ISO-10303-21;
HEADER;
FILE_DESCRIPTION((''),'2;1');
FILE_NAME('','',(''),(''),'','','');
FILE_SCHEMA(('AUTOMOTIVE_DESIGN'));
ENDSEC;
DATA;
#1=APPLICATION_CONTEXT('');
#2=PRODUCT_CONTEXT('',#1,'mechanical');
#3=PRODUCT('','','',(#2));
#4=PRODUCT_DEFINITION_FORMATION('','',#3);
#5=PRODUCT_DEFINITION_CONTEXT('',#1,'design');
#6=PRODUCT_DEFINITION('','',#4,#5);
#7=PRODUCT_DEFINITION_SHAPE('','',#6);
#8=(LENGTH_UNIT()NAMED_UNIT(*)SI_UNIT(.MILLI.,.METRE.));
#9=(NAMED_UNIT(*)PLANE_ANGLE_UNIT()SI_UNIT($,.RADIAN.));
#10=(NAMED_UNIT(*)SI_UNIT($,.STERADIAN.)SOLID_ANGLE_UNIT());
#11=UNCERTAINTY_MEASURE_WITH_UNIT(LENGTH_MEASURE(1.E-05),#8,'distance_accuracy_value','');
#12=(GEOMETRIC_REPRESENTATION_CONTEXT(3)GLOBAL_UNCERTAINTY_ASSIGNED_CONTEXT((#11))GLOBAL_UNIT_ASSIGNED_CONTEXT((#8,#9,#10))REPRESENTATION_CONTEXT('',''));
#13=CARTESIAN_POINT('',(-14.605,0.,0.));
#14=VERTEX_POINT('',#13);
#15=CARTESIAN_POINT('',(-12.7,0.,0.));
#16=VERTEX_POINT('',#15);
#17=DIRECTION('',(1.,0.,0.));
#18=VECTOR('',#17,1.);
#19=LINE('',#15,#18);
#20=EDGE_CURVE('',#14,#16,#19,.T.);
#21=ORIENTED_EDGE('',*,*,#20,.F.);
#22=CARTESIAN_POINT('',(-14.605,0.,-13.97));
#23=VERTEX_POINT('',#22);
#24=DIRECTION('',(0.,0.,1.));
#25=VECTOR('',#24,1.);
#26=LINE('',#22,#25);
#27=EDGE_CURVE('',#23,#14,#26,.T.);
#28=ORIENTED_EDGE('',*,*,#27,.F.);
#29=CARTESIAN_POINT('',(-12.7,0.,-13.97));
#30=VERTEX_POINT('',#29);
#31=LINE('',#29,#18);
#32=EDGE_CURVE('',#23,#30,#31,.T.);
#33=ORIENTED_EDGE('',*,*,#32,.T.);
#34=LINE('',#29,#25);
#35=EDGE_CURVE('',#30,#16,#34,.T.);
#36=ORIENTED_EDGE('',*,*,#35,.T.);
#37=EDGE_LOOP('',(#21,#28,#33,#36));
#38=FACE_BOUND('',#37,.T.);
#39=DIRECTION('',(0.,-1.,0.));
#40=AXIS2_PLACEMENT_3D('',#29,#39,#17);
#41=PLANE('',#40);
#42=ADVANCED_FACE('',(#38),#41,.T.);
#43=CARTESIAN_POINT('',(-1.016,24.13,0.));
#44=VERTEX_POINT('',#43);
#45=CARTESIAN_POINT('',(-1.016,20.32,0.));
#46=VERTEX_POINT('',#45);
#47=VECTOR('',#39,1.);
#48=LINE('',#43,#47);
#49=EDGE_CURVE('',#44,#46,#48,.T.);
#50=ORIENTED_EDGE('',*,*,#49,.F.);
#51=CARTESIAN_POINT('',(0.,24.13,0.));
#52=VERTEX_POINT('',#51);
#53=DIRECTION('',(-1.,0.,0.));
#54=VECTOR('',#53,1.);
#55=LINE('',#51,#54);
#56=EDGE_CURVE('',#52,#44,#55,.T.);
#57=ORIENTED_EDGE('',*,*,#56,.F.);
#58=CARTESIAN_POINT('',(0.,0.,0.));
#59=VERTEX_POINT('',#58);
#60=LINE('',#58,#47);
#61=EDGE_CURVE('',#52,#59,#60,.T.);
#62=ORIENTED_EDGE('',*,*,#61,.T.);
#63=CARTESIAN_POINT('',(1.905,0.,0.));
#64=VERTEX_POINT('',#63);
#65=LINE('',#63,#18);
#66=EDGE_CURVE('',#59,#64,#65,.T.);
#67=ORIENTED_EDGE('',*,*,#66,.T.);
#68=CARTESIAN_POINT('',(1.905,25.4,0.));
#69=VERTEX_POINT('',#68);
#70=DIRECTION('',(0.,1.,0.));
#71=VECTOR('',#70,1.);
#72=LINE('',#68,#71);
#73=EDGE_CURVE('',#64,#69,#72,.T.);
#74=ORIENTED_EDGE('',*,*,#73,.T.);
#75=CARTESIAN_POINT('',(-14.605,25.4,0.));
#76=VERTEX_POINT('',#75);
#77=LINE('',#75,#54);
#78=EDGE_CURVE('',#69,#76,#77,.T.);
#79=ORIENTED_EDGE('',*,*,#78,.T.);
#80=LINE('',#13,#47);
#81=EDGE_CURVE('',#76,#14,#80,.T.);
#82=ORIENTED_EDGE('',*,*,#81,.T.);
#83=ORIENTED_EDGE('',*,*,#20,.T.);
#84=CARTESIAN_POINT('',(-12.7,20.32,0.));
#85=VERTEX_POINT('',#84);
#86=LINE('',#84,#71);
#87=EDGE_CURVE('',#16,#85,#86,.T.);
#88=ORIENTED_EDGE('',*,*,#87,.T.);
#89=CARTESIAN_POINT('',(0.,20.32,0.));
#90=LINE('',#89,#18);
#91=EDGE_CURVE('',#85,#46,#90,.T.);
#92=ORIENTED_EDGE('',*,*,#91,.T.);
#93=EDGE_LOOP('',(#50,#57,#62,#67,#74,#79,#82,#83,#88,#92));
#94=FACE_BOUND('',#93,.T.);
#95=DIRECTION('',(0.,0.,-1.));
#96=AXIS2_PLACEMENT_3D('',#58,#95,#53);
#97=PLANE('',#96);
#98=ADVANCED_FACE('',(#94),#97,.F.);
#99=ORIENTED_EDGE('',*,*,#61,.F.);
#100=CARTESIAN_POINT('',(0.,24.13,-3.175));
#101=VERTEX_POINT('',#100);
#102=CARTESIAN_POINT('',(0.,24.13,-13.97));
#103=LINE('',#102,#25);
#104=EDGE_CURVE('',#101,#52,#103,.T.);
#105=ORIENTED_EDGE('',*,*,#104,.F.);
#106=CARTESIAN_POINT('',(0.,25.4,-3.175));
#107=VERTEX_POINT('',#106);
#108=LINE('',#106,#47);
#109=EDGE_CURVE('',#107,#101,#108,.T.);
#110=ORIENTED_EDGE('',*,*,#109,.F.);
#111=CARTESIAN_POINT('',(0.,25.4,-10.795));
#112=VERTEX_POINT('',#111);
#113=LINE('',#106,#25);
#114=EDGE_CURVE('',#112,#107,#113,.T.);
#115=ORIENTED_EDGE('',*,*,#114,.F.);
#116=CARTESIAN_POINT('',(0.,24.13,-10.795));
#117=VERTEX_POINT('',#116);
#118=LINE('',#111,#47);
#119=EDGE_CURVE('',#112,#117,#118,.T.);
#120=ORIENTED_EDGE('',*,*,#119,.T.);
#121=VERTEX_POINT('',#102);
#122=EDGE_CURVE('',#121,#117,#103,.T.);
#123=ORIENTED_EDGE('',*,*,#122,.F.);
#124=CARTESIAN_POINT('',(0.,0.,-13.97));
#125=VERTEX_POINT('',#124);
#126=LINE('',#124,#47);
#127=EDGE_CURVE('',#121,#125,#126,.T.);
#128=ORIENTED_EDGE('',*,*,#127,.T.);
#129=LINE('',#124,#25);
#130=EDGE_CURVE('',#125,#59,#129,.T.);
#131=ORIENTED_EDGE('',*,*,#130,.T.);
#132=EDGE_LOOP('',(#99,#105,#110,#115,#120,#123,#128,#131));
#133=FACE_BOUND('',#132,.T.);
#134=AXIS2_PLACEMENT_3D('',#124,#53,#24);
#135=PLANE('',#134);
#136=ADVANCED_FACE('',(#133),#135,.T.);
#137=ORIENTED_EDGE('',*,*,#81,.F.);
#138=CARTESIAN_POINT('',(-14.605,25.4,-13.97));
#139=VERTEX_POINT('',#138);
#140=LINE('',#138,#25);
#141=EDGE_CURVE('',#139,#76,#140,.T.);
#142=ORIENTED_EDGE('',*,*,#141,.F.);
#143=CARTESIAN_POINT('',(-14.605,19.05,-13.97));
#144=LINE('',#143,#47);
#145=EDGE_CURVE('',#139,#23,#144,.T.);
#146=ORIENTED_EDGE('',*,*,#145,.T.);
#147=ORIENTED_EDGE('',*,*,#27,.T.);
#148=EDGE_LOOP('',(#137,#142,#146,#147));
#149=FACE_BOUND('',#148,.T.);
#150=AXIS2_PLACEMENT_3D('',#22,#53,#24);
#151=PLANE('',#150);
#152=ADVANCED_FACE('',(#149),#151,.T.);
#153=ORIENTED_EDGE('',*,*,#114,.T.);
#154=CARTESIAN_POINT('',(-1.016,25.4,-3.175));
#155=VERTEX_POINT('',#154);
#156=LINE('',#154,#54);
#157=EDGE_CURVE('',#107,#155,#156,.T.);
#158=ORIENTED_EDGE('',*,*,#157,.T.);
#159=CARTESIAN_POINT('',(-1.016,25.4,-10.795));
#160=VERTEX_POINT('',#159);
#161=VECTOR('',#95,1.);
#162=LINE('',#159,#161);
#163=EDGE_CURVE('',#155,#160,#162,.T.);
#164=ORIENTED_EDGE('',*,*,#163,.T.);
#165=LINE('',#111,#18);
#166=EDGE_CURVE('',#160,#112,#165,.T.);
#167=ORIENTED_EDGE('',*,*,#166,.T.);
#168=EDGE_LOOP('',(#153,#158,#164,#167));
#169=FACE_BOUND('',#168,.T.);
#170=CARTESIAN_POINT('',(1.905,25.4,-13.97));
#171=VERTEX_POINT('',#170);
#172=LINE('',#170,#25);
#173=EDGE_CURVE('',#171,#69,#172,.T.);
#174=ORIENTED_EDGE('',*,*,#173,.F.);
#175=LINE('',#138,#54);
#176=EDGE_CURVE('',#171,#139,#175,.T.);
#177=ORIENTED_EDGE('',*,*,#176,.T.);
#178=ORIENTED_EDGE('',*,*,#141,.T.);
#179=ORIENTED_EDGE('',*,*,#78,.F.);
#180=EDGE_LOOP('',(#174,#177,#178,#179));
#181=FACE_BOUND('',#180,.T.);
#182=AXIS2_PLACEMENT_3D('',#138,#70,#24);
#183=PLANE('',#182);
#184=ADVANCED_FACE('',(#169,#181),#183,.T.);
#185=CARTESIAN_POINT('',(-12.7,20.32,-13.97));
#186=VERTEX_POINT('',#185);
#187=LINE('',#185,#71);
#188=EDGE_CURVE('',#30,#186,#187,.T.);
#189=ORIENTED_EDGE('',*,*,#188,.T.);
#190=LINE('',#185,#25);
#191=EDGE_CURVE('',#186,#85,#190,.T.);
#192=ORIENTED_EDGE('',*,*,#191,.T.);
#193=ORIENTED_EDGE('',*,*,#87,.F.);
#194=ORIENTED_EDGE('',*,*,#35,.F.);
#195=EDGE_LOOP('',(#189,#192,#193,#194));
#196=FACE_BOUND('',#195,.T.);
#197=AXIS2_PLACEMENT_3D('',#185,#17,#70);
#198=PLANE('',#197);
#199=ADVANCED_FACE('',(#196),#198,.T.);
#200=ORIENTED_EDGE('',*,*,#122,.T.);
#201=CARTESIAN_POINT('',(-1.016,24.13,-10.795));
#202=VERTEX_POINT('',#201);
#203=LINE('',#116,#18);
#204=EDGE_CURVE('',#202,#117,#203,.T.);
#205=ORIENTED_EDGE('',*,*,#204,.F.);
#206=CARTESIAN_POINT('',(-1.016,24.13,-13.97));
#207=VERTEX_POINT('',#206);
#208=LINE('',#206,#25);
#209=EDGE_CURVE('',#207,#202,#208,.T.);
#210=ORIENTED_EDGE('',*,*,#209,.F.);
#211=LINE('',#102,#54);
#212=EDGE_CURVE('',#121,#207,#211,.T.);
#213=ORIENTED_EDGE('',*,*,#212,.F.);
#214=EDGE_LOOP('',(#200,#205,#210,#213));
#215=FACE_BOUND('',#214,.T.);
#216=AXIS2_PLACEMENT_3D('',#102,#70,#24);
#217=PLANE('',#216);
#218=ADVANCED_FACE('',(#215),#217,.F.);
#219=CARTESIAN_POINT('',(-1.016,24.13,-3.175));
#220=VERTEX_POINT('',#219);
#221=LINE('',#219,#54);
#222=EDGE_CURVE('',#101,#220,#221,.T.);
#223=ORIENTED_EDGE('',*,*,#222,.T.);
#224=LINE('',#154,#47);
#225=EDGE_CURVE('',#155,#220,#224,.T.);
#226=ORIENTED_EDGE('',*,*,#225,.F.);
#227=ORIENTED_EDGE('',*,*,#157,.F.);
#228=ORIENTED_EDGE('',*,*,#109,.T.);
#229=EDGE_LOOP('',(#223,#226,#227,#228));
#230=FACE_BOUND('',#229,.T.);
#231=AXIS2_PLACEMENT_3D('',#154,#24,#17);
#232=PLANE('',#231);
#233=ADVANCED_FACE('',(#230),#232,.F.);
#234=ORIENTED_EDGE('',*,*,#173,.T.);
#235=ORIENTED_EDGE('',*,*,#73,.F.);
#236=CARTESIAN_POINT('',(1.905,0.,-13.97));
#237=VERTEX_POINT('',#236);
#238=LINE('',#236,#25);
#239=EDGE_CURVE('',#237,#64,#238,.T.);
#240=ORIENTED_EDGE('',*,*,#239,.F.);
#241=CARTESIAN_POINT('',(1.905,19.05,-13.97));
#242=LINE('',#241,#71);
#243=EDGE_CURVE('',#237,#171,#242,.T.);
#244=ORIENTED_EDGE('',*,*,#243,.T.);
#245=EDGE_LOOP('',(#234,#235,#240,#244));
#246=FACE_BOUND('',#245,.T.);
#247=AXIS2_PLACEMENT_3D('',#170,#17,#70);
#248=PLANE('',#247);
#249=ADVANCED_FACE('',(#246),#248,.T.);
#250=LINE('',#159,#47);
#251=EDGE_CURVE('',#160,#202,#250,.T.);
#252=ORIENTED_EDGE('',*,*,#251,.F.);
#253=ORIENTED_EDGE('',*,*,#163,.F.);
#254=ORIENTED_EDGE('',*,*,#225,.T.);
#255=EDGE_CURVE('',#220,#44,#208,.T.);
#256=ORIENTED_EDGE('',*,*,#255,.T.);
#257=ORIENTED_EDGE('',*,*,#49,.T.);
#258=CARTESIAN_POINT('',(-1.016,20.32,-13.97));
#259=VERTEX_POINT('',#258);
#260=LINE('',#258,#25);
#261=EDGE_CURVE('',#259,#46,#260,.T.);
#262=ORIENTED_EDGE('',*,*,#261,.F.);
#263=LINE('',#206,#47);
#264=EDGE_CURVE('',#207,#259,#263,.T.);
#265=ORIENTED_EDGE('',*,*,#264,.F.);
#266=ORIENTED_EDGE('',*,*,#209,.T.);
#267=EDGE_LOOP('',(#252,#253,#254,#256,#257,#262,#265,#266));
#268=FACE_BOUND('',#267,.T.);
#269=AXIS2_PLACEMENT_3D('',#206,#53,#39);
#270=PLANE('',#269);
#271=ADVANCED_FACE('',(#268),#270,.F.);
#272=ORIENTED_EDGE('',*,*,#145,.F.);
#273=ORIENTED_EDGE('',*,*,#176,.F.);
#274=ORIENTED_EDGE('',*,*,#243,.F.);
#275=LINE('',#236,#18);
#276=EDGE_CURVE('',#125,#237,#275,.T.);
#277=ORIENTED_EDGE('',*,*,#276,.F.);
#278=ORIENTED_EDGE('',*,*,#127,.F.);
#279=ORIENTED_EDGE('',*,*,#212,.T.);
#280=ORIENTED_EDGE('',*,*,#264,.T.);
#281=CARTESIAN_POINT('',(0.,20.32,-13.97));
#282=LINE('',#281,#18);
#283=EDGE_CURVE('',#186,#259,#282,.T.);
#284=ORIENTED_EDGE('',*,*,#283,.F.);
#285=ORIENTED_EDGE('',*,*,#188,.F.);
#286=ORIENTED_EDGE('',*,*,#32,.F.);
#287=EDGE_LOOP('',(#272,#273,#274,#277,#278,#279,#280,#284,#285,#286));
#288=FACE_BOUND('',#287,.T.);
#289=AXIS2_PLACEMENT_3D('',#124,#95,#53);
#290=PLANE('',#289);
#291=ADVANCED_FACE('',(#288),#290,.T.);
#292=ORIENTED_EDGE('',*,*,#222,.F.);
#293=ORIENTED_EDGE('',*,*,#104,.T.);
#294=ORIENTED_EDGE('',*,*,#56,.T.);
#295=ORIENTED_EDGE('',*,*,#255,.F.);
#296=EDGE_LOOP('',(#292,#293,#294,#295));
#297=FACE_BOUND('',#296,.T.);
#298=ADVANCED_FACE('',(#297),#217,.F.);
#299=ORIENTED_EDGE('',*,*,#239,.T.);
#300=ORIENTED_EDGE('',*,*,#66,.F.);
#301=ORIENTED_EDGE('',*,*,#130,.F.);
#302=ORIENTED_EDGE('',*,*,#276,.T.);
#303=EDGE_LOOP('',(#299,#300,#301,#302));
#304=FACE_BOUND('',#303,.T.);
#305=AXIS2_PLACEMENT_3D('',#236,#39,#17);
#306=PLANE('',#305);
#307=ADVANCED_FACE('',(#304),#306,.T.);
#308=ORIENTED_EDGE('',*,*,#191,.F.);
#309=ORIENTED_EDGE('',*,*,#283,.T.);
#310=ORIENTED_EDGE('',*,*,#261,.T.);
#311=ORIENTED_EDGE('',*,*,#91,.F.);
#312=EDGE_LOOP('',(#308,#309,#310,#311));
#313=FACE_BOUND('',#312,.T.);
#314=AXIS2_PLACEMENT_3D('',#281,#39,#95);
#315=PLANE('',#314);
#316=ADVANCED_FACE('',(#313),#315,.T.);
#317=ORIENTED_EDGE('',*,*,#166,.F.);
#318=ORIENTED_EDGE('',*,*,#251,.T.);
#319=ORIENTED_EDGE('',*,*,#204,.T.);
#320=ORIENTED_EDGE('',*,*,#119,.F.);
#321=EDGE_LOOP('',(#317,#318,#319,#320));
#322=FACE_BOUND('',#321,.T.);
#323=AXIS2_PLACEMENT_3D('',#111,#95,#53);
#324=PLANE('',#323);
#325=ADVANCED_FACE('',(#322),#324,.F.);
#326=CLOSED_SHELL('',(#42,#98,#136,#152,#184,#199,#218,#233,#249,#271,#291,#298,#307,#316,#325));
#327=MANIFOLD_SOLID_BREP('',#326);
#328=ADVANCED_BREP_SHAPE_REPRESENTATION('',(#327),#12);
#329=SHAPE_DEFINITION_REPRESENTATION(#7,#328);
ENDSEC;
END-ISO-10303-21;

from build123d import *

# Parameters (mm, degrees)
BOSS_EXTRUDE1_DEPTH = 13.97
SKETCH3_W           = 1.016
SKETCH3_H           = 3.81
CUT_EXTRUDE1_DEPTH  = 14.97
CUT_EXTRUDE2_DEPTH  = 2.27


with BuildPart() as part:
    # Sketch1 → Boss-Extrude1 (new body)
    with BuildSketch(Plane.XY):
        Polygon((0, 0), (0, 20.32), (-12.7, 20.32), (-12.7, 0), (-14.605, 0), (-14.605, 19.05), (-14.605, 25.4), (1.905, 25.4), (1.905, 19.05), (1.905, 0), align=None)
    extrude(amount=-BOSS_EXTRUDE1_DEPTH)

    # Sketch3 → Cut-Extrude1 (cut, through all)
    with BuildSketch(Plane.XY):
        with Locations((-0.508, 22.225)):
            Rectangle(SKETCH3_W, SKETCH3_H)
    extrude(amount=-CUT_EXTRUDE1_DEPTH, mode=Mode.SUBTRACT)

    # Sketch4 → Cut-Extrude2 (cut, through all)
    with BuildSketch(Plane.XZ.offset(-24.13)):
        Polygon((-1.016, -6.985), (-1.016, -3.175), (0, -3.175), (0, -10.795), (-1.016, -10.795), align=None)
    extrude(amount=-CUT_EXTRUDE2_DEPTH, mode=Mode.SUBTRACT)


solid = part.part
